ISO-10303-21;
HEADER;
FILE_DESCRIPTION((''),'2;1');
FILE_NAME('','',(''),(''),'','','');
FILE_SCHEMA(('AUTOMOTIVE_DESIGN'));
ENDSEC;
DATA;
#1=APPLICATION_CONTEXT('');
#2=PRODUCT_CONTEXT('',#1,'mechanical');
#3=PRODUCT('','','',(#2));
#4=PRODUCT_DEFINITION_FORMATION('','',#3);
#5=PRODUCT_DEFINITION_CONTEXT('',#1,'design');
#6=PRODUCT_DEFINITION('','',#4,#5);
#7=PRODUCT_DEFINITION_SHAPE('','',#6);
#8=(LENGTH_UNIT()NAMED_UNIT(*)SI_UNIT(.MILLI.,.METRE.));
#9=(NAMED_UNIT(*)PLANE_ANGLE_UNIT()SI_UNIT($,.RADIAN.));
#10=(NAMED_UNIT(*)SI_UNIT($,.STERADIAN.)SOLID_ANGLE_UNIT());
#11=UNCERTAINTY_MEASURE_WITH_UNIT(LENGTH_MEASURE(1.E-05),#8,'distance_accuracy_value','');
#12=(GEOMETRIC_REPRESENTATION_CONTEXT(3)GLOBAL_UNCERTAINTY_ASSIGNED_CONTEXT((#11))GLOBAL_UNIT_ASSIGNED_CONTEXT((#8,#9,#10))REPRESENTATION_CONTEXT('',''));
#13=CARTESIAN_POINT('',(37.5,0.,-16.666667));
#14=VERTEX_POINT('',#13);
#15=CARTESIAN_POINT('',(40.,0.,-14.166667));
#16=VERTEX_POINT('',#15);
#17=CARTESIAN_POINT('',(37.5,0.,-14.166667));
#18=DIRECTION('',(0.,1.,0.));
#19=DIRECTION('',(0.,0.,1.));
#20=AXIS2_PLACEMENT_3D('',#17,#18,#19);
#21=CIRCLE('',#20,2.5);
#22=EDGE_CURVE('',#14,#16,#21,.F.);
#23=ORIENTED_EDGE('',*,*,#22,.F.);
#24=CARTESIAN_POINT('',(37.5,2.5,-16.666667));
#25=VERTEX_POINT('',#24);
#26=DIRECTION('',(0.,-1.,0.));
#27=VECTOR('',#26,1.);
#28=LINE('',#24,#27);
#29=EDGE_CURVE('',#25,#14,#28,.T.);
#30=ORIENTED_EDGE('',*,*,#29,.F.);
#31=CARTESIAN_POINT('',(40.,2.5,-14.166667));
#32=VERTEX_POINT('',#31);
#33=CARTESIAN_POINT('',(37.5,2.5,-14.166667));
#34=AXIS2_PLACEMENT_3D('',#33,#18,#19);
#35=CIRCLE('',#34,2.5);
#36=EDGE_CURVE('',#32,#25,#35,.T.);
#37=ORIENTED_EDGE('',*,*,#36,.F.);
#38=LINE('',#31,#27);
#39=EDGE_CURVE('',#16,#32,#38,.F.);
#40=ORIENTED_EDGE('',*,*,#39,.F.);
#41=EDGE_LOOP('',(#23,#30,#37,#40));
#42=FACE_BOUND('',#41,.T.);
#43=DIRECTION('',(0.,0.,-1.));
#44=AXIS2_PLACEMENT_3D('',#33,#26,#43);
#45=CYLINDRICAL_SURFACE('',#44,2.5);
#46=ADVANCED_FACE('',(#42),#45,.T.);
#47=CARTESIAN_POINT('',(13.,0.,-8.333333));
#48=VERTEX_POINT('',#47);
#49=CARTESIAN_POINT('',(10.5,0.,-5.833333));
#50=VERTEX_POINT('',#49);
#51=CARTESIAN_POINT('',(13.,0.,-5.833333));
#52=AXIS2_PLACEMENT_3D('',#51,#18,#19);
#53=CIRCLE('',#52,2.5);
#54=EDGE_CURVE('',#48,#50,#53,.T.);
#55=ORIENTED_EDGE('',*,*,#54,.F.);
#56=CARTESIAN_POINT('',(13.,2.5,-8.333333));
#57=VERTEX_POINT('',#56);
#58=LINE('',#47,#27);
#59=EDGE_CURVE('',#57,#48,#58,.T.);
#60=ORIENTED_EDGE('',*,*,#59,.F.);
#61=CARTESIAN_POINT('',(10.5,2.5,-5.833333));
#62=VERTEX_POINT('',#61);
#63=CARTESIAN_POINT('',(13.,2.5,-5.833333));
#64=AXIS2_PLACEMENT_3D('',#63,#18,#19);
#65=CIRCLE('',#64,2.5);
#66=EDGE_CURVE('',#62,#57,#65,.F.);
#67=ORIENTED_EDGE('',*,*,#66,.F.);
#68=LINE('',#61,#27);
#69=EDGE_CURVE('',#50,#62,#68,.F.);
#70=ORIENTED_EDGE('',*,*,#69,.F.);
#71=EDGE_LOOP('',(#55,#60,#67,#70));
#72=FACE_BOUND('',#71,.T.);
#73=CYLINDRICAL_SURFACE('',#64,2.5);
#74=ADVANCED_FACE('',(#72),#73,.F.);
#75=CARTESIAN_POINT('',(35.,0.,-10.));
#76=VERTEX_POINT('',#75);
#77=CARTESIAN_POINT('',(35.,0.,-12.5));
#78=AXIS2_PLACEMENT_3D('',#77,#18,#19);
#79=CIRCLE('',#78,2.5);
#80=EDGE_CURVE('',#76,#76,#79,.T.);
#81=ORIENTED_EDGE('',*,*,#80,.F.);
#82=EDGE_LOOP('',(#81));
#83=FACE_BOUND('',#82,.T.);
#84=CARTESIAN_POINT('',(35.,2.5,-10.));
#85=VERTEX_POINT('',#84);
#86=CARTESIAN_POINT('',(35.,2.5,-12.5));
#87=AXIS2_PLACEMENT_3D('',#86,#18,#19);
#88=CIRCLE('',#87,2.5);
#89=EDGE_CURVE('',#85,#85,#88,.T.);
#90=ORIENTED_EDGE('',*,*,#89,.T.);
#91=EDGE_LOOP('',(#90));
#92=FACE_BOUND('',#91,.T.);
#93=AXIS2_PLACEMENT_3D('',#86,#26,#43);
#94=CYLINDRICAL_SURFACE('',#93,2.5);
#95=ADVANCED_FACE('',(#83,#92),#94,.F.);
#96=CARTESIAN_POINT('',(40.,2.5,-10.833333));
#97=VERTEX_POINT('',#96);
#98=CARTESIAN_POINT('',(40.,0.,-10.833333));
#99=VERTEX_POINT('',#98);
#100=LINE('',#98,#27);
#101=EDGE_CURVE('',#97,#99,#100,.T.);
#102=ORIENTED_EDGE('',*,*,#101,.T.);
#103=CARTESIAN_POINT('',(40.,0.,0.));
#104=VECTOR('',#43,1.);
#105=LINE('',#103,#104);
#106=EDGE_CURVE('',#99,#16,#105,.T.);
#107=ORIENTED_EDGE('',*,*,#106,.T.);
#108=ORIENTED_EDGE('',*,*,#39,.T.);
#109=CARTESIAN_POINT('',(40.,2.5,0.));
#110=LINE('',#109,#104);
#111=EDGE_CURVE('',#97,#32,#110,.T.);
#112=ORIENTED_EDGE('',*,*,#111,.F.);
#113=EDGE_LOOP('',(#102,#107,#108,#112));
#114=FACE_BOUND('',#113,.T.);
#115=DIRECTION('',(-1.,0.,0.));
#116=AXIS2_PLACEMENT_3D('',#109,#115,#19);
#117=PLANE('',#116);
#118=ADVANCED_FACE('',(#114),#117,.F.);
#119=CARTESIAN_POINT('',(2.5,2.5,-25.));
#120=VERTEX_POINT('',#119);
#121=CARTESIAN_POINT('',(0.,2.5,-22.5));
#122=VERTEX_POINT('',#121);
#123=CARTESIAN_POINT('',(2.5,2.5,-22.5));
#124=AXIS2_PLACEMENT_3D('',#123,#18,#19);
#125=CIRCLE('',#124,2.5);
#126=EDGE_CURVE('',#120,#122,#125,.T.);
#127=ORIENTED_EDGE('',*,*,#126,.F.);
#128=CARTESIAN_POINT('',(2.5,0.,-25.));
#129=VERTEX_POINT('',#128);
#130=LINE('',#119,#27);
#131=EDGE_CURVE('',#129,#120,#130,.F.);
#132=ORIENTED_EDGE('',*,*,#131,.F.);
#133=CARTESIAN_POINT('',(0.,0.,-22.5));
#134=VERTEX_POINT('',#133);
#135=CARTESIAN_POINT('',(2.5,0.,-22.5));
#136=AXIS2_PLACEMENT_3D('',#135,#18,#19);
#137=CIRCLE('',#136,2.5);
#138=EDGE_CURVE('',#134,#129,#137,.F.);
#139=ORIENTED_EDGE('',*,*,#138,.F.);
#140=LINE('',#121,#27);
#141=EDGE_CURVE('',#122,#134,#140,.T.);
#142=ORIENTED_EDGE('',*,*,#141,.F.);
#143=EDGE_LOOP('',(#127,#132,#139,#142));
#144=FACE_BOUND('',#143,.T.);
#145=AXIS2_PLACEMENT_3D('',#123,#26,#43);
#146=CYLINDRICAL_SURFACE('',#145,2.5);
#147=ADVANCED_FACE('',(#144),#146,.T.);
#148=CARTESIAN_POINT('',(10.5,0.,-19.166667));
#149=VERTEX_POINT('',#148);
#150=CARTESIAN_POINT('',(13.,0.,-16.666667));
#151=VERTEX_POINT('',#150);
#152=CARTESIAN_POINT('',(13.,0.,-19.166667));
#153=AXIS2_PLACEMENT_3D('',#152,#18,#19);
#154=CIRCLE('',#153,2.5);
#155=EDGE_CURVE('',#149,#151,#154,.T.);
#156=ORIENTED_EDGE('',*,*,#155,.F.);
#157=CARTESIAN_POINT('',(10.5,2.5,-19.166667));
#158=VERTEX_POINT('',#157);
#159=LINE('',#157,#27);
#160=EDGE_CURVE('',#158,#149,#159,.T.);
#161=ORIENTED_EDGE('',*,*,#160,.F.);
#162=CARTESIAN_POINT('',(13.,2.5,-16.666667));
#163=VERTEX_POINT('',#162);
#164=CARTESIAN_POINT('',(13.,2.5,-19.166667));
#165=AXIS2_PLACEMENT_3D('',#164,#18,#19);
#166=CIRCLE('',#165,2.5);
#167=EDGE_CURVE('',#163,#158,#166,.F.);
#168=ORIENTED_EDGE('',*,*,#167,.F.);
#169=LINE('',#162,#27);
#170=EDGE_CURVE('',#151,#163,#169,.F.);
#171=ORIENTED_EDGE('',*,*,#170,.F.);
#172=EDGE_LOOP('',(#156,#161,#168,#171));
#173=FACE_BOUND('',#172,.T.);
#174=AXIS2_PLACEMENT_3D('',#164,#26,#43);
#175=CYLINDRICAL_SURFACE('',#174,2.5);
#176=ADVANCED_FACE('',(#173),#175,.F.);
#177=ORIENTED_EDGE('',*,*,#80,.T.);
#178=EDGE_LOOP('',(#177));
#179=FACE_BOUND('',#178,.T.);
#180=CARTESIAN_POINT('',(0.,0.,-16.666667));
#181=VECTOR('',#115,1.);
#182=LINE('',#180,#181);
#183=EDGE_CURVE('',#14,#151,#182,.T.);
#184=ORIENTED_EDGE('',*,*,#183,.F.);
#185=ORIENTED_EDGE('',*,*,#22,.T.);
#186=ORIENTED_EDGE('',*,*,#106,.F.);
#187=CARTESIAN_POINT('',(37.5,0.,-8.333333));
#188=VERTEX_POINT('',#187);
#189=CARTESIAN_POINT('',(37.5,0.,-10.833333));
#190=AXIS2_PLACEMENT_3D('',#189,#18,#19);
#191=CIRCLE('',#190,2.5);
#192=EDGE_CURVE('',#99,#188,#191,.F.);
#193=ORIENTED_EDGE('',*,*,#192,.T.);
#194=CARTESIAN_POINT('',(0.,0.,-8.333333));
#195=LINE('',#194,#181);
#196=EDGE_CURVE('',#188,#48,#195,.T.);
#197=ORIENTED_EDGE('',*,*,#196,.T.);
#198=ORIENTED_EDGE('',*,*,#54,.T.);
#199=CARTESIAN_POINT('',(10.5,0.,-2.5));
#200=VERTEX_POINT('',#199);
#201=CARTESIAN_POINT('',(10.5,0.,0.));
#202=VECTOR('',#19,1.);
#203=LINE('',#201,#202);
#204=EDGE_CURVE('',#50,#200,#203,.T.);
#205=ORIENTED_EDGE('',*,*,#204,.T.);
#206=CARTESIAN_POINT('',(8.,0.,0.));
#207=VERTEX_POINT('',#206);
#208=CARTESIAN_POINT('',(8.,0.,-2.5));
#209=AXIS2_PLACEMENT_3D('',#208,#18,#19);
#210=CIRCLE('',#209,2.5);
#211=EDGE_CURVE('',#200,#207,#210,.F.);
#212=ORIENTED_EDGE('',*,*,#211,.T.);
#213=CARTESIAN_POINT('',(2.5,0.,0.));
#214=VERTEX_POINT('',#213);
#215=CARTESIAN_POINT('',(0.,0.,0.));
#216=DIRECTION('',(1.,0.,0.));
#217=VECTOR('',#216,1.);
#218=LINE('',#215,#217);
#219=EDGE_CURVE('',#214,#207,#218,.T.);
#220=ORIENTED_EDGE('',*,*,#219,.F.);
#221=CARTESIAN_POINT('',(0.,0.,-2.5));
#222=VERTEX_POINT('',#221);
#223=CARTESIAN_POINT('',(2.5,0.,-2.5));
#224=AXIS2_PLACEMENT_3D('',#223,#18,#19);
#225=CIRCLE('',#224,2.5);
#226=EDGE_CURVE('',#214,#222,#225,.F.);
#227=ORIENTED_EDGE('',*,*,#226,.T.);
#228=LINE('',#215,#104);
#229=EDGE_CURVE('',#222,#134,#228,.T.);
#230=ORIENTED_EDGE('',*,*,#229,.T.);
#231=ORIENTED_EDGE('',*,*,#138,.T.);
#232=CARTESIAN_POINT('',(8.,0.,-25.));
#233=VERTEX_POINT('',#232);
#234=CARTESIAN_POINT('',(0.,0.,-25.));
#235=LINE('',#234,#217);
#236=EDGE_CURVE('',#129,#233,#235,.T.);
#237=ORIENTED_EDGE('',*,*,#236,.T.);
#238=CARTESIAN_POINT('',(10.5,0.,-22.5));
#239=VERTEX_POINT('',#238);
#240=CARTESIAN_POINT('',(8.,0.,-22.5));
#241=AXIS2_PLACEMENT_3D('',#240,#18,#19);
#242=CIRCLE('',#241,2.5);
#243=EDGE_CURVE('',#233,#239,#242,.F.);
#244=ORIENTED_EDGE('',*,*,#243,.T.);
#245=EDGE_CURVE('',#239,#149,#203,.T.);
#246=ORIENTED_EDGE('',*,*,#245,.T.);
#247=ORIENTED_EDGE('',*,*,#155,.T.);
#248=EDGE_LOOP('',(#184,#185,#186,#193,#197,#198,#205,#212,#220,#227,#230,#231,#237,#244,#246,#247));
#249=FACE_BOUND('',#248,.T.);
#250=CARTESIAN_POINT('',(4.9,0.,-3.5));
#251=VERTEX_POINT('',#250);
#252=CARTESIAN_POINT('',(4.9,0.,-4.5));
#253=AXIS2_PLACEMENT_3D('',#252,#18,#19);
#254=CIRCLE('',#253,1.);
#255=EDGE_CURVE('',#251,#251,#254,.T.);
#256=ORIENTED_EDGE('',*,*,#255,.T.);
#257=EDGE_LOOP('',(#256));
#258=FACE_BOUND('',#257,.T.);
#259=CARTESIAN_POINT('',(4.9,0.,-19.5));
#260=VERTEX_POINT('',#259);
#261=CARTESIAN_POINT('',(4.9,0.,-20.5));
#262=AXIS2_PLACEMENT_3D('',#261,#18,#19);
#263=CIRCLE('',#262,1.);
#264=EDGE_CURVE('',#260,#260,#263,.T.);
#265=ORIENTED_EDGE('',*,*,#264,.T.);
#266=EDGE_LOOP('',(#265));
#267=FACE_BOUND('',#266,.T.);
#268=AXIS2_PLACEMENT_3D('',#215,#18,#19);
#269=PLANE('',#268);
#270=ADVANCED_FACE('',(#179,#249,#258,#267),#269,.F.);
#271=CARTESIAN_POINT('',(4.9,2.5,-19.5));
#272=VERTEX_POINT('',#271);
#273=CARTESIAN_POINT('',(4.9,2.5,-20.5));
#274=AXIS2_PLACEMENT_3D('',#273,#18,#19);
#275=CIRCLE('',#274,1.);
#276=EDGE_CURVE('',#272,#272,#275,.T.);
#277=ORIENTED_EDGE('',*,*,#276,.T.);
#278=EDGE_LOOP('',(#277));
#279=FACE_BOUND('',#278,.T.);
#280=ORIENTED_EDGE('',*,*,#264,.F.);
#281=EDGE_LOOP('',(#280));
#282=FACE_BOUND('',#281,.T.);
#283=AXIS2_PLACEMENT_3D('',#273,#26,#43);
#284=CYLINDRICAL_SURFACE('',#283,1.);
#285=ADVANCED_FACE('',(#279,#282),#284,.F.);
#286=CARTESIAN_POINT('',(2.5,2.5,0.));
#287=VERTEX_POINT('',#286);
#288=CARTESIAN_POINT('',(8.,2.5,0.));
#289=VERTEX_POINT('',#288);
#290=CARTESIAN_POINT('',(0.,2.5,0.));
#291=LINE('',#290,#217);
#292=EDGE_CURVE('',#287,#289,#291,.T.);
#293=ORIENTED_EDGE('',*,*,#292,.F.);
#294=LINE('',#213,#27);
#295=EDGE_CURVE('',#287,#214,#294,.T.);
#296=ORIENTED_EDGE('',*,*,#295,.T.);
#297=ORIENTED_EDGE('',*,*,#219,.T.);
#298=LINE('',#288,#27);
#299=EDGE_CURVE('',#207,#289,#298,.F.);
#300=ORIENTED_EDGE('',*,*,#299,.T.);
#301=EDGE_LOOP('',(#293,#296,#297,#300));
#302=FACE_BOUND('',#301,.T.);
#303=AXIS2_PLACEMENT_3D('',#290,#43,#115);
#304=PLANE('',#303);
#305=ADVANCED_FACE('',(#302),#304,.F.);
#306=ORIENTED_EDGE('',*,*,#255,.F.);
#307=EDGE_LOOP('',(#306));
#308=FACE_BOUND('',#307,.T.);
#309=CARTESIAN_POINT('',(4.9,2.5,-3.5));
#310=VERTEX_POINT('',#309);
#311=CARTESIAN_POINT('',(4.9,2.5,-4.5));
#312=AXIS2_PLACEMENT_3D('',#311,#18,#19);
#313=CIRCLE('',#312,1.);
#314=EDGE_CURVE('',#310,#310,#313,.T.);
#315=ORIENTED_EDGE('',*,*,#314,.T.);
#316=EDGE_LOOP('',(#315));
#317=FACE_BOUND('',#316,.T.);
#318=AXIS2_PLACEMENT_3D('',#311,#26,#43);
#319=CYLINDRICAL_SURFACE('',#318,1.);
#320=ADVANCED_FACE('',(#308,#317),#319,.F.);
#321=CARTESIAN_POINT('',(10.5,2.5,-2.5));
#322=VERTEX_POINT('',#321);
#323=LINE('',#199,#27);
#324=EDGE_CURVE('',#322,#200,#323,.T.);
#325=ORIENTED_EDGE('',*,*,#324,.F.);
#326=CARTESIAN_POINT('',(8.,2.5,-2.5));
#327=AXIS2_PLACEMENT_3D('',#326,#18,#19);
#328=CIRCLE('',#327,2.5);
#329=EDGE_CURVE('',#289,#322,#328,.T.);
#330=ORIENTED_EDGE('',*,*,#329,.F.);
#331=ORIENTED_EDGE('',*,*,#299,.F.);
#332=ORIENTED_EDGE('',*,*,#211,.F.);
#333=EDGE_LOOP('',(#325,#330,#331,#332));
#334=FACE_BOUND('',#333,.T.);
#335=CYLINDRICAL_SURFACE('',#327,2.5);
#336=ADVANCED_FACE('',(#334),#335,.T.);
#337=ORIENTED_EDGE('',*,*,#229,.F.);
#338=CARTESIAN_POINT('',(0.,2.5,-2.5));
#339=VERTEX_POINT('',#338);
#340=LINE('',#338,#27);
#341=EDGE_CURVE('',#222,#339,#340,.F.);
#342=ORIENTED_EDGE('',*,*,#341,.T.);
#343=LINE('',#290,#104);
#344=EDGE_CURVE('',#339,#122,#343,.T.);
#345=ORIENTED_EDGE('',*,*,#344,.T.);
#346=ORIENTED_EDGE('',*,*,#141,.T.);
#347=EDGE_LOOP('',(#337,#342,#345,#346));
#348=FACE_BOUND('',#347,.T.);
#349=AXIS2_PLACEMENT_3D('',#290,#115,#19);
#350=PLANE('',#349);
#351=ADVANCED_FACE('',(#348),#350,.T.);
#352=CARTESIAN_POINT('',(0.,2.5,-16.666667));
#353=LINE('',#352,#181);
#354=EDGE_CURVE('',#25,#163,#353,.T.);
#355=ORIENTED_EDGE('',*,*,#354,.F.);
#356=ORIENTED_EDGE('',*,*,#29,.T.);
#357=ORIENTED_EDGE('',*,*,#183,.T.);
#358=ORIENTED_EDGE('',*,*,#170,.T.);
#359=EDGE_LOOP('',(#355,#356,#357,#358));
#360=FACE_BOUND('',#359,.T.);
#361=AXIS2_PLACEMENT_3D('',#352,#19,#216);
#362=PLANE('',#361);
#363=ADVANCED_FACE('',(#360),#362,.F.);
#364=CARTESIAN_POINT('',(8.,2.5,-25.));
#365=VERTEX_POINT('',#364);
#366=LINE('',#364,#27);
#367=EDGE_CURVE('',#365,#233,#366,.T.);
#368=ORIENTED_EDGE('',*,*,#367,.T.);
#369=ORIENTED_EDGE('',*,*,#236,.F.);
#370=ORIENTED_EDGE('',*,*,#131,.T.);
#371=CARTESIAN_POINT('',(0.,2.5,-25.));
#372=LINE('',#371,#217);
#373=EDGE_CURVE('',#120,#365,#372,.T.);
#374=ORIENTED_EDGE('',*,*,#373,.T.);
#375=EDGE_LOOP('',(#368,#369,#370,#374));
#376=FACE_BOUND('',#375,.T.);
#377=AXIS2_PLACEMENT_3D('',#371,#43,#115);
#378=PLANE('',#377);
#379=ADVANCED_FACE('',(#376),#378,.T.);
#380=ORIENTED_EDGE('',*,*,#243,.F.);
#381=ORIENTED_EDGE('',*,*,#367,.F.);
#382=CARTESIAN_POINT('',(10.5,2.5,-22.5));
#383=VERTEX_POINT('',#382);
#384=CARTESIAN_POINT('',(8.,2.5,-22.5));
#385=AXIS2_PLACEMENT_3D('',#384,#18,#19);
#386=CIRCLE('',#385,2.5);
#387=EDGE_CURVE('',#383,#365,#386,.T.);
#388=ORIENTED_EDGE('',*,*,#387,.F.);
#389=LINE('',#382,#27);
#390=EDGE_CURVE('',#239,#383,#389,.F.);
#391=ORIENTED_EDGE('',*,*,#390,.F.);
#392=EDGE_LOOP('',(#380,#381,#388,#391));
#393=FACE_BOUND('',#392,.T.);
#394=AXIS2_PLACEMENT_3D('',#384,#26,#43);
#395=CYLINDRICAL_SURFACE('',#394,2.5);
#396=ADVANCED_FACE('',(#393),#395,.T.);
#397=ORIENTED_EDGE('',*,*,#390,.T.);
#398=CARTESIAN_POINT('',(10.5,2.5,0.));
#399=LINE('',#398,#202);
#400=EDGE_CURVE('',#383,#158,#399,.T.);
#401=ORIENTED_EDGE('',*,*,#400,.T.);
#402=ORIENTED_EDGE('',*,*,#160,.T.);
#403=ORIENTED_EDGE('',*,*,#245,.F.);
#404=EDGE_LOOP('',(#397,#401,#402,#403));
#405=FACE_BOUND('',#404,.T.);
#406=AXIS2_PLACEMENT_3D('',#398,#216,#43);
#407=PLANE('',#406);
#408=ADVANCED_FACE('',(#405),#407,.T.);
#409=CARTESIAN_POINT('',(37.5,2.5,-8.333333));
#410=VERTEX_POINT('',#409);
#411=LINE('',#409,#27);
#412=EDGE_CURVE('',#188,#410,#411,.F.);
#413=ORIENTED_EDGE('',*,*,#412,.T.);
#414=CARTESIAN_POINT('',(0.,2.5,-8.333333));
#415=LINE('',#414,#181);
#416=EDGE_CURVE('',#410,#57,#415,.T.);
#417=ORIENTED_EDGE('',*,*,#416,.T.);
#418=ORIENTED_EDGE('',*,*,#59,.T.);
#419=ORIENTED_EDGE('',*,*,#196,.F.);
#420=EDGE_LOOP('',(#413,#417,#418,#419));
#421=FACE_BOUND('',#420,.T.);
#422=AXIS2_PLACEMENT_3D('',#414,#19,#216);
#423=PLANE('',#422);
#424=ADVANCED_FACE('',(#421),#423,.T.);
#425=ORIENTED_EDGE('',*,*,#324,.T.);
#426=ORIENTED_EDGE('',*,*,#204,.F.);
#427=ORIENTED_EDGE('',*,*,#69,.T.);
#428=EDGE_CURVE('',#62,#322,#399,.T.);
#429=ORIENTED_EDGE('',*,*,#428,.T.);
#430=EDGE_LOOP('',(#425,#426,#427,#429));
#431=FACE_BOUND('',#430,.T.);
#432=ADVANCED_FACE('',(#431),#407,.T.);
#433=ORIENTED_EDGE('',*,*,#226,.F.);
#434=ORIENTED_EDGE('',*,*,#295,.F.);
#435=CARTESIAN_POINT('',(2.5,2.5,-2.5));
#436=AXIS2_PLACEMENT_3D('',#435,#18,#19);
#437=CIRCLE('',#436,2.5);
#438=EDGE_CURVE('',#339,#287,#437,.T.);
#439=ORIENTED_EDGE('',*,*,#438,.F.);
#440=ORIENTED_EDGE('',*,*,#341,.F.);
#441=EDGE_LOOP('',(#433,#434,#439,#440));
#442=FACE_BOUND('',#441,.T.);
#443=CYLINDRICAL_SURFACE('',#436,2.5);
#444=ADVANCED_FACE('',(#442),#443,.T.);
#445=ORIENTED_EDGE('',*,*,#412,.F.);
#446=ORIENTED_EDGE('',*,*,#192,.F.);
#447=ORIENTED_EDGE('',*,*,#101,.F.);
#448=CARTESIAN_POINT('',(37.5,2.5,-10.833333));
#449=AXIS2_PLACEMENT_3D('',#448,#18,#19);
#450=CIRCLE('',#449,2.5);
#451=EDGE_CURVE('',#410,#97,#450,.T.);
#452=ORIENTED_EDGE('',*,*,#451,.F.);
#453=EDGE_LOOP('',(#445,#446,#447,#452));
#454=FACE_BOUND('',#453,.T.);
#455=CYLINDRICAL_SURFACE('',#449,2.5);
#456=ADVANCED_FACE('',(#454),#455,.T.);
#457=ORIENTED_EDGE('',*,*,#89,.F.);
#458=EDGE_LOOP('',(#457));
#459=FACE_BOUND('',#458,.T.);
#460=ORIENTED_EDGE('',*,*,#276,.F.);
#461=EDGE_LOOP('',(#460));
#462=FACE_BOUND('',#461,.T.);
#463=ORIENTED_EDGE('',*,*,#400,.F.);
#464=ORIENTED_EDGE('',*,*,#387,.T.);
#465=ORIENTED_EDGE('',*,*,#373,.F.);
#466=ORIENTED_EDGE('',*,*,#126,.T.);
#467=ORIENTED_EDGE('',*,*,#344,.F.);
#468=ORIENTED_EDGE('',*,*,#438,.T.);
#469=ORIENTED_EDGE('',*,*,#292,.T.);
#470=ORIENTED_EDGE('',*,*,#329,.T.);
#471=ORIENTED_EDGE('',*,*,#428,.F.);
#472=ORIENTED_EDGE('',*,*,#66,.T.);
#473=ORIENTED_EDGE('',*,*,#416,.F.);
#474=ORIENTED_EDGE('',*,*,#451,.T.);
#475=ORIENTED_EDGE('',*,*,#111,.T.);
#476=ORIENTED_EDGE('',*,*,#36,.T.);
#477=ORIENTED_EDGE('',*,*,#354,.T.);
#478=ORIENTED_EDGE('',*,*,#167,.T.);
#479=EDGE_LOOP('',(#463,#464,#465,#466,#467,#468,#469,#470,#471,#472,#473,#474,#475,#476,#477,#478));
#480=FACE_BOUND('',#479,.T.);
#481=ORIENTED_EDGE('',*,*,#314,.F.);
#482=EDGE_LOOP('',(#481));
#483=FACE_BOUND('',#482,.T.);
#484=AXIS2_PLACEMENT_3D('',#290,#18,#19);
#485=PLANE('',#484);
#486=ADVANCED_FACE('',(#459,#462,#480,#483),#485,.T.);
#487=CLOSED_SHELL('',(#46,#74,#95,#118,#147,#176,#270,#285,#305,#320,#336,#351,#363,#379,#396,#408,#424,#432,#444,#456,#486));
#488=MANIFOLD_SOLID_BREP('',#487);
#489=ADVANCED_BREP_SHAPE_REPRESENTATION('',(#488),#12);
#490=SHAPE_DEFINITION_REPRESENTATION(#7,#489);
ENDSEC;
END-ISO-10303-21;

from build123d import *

# Parameters (mm, degrees)
SKETCH1_W           = 29.5
SKETCH1_H           = 8.333333334
SKETCH1_R           = 2.5
SKETCH1_R_2         = 1
BOSS_EXTRUDE1_DEPTH = 2.5
FILLET1_R           = 2.5


with BuildPart() as part:
    # Sketch1 → Boss-Extrude1 (new body)
    with BuildSketch(Plane(origin=(0, 0, 0), x_dir=(1, 0, 0), z_dir=(0, 1, 0))):
        with Locations((25.25, 12.5)):
            Rectangle(SKETCH1_W, SKETCH1_H)
        with Locations((35, 12.5)):
            Circle(SKETCH1_R, mode=Mode.SUBTRACT)
        Polygon((10.5, 25), (1.052631579, 25), (0, 25), (0, 0), (10.5, 0), (10.5, 8.333333333), (10.5, 16.666666667), align=None)
        with Locations((4.9, 4.5)):
            Circle(SKETCH1_R_2, mode=Mode.SUBTRACT)
        with Locations((4.9, 20.5)):
            Circle(SKETCH1_R_2, mode=Mode.SUBTRACT)
    extrude(amount=BOSS_EXTRUDE1_DEPTH)

    # Fillet1
    fillet1_edges = [part.edges().sort_by_distance(p)[0] for p in [
        (40, 1.25, -8.333333333),
        (10.5, 1.25, -8.333333333),
        (10.5, 1.25, 0),
        (0, 1.25, 0),
        (0, 1.25, -25),
        (10.5, 1.25, -25),
        (10.5, 1.25, -16.666666667),
        (40, 1.25, -16.666666667),
    ]]
    fillet(fillet1_edges, radius=FILLET1_R)


solid = part.part
